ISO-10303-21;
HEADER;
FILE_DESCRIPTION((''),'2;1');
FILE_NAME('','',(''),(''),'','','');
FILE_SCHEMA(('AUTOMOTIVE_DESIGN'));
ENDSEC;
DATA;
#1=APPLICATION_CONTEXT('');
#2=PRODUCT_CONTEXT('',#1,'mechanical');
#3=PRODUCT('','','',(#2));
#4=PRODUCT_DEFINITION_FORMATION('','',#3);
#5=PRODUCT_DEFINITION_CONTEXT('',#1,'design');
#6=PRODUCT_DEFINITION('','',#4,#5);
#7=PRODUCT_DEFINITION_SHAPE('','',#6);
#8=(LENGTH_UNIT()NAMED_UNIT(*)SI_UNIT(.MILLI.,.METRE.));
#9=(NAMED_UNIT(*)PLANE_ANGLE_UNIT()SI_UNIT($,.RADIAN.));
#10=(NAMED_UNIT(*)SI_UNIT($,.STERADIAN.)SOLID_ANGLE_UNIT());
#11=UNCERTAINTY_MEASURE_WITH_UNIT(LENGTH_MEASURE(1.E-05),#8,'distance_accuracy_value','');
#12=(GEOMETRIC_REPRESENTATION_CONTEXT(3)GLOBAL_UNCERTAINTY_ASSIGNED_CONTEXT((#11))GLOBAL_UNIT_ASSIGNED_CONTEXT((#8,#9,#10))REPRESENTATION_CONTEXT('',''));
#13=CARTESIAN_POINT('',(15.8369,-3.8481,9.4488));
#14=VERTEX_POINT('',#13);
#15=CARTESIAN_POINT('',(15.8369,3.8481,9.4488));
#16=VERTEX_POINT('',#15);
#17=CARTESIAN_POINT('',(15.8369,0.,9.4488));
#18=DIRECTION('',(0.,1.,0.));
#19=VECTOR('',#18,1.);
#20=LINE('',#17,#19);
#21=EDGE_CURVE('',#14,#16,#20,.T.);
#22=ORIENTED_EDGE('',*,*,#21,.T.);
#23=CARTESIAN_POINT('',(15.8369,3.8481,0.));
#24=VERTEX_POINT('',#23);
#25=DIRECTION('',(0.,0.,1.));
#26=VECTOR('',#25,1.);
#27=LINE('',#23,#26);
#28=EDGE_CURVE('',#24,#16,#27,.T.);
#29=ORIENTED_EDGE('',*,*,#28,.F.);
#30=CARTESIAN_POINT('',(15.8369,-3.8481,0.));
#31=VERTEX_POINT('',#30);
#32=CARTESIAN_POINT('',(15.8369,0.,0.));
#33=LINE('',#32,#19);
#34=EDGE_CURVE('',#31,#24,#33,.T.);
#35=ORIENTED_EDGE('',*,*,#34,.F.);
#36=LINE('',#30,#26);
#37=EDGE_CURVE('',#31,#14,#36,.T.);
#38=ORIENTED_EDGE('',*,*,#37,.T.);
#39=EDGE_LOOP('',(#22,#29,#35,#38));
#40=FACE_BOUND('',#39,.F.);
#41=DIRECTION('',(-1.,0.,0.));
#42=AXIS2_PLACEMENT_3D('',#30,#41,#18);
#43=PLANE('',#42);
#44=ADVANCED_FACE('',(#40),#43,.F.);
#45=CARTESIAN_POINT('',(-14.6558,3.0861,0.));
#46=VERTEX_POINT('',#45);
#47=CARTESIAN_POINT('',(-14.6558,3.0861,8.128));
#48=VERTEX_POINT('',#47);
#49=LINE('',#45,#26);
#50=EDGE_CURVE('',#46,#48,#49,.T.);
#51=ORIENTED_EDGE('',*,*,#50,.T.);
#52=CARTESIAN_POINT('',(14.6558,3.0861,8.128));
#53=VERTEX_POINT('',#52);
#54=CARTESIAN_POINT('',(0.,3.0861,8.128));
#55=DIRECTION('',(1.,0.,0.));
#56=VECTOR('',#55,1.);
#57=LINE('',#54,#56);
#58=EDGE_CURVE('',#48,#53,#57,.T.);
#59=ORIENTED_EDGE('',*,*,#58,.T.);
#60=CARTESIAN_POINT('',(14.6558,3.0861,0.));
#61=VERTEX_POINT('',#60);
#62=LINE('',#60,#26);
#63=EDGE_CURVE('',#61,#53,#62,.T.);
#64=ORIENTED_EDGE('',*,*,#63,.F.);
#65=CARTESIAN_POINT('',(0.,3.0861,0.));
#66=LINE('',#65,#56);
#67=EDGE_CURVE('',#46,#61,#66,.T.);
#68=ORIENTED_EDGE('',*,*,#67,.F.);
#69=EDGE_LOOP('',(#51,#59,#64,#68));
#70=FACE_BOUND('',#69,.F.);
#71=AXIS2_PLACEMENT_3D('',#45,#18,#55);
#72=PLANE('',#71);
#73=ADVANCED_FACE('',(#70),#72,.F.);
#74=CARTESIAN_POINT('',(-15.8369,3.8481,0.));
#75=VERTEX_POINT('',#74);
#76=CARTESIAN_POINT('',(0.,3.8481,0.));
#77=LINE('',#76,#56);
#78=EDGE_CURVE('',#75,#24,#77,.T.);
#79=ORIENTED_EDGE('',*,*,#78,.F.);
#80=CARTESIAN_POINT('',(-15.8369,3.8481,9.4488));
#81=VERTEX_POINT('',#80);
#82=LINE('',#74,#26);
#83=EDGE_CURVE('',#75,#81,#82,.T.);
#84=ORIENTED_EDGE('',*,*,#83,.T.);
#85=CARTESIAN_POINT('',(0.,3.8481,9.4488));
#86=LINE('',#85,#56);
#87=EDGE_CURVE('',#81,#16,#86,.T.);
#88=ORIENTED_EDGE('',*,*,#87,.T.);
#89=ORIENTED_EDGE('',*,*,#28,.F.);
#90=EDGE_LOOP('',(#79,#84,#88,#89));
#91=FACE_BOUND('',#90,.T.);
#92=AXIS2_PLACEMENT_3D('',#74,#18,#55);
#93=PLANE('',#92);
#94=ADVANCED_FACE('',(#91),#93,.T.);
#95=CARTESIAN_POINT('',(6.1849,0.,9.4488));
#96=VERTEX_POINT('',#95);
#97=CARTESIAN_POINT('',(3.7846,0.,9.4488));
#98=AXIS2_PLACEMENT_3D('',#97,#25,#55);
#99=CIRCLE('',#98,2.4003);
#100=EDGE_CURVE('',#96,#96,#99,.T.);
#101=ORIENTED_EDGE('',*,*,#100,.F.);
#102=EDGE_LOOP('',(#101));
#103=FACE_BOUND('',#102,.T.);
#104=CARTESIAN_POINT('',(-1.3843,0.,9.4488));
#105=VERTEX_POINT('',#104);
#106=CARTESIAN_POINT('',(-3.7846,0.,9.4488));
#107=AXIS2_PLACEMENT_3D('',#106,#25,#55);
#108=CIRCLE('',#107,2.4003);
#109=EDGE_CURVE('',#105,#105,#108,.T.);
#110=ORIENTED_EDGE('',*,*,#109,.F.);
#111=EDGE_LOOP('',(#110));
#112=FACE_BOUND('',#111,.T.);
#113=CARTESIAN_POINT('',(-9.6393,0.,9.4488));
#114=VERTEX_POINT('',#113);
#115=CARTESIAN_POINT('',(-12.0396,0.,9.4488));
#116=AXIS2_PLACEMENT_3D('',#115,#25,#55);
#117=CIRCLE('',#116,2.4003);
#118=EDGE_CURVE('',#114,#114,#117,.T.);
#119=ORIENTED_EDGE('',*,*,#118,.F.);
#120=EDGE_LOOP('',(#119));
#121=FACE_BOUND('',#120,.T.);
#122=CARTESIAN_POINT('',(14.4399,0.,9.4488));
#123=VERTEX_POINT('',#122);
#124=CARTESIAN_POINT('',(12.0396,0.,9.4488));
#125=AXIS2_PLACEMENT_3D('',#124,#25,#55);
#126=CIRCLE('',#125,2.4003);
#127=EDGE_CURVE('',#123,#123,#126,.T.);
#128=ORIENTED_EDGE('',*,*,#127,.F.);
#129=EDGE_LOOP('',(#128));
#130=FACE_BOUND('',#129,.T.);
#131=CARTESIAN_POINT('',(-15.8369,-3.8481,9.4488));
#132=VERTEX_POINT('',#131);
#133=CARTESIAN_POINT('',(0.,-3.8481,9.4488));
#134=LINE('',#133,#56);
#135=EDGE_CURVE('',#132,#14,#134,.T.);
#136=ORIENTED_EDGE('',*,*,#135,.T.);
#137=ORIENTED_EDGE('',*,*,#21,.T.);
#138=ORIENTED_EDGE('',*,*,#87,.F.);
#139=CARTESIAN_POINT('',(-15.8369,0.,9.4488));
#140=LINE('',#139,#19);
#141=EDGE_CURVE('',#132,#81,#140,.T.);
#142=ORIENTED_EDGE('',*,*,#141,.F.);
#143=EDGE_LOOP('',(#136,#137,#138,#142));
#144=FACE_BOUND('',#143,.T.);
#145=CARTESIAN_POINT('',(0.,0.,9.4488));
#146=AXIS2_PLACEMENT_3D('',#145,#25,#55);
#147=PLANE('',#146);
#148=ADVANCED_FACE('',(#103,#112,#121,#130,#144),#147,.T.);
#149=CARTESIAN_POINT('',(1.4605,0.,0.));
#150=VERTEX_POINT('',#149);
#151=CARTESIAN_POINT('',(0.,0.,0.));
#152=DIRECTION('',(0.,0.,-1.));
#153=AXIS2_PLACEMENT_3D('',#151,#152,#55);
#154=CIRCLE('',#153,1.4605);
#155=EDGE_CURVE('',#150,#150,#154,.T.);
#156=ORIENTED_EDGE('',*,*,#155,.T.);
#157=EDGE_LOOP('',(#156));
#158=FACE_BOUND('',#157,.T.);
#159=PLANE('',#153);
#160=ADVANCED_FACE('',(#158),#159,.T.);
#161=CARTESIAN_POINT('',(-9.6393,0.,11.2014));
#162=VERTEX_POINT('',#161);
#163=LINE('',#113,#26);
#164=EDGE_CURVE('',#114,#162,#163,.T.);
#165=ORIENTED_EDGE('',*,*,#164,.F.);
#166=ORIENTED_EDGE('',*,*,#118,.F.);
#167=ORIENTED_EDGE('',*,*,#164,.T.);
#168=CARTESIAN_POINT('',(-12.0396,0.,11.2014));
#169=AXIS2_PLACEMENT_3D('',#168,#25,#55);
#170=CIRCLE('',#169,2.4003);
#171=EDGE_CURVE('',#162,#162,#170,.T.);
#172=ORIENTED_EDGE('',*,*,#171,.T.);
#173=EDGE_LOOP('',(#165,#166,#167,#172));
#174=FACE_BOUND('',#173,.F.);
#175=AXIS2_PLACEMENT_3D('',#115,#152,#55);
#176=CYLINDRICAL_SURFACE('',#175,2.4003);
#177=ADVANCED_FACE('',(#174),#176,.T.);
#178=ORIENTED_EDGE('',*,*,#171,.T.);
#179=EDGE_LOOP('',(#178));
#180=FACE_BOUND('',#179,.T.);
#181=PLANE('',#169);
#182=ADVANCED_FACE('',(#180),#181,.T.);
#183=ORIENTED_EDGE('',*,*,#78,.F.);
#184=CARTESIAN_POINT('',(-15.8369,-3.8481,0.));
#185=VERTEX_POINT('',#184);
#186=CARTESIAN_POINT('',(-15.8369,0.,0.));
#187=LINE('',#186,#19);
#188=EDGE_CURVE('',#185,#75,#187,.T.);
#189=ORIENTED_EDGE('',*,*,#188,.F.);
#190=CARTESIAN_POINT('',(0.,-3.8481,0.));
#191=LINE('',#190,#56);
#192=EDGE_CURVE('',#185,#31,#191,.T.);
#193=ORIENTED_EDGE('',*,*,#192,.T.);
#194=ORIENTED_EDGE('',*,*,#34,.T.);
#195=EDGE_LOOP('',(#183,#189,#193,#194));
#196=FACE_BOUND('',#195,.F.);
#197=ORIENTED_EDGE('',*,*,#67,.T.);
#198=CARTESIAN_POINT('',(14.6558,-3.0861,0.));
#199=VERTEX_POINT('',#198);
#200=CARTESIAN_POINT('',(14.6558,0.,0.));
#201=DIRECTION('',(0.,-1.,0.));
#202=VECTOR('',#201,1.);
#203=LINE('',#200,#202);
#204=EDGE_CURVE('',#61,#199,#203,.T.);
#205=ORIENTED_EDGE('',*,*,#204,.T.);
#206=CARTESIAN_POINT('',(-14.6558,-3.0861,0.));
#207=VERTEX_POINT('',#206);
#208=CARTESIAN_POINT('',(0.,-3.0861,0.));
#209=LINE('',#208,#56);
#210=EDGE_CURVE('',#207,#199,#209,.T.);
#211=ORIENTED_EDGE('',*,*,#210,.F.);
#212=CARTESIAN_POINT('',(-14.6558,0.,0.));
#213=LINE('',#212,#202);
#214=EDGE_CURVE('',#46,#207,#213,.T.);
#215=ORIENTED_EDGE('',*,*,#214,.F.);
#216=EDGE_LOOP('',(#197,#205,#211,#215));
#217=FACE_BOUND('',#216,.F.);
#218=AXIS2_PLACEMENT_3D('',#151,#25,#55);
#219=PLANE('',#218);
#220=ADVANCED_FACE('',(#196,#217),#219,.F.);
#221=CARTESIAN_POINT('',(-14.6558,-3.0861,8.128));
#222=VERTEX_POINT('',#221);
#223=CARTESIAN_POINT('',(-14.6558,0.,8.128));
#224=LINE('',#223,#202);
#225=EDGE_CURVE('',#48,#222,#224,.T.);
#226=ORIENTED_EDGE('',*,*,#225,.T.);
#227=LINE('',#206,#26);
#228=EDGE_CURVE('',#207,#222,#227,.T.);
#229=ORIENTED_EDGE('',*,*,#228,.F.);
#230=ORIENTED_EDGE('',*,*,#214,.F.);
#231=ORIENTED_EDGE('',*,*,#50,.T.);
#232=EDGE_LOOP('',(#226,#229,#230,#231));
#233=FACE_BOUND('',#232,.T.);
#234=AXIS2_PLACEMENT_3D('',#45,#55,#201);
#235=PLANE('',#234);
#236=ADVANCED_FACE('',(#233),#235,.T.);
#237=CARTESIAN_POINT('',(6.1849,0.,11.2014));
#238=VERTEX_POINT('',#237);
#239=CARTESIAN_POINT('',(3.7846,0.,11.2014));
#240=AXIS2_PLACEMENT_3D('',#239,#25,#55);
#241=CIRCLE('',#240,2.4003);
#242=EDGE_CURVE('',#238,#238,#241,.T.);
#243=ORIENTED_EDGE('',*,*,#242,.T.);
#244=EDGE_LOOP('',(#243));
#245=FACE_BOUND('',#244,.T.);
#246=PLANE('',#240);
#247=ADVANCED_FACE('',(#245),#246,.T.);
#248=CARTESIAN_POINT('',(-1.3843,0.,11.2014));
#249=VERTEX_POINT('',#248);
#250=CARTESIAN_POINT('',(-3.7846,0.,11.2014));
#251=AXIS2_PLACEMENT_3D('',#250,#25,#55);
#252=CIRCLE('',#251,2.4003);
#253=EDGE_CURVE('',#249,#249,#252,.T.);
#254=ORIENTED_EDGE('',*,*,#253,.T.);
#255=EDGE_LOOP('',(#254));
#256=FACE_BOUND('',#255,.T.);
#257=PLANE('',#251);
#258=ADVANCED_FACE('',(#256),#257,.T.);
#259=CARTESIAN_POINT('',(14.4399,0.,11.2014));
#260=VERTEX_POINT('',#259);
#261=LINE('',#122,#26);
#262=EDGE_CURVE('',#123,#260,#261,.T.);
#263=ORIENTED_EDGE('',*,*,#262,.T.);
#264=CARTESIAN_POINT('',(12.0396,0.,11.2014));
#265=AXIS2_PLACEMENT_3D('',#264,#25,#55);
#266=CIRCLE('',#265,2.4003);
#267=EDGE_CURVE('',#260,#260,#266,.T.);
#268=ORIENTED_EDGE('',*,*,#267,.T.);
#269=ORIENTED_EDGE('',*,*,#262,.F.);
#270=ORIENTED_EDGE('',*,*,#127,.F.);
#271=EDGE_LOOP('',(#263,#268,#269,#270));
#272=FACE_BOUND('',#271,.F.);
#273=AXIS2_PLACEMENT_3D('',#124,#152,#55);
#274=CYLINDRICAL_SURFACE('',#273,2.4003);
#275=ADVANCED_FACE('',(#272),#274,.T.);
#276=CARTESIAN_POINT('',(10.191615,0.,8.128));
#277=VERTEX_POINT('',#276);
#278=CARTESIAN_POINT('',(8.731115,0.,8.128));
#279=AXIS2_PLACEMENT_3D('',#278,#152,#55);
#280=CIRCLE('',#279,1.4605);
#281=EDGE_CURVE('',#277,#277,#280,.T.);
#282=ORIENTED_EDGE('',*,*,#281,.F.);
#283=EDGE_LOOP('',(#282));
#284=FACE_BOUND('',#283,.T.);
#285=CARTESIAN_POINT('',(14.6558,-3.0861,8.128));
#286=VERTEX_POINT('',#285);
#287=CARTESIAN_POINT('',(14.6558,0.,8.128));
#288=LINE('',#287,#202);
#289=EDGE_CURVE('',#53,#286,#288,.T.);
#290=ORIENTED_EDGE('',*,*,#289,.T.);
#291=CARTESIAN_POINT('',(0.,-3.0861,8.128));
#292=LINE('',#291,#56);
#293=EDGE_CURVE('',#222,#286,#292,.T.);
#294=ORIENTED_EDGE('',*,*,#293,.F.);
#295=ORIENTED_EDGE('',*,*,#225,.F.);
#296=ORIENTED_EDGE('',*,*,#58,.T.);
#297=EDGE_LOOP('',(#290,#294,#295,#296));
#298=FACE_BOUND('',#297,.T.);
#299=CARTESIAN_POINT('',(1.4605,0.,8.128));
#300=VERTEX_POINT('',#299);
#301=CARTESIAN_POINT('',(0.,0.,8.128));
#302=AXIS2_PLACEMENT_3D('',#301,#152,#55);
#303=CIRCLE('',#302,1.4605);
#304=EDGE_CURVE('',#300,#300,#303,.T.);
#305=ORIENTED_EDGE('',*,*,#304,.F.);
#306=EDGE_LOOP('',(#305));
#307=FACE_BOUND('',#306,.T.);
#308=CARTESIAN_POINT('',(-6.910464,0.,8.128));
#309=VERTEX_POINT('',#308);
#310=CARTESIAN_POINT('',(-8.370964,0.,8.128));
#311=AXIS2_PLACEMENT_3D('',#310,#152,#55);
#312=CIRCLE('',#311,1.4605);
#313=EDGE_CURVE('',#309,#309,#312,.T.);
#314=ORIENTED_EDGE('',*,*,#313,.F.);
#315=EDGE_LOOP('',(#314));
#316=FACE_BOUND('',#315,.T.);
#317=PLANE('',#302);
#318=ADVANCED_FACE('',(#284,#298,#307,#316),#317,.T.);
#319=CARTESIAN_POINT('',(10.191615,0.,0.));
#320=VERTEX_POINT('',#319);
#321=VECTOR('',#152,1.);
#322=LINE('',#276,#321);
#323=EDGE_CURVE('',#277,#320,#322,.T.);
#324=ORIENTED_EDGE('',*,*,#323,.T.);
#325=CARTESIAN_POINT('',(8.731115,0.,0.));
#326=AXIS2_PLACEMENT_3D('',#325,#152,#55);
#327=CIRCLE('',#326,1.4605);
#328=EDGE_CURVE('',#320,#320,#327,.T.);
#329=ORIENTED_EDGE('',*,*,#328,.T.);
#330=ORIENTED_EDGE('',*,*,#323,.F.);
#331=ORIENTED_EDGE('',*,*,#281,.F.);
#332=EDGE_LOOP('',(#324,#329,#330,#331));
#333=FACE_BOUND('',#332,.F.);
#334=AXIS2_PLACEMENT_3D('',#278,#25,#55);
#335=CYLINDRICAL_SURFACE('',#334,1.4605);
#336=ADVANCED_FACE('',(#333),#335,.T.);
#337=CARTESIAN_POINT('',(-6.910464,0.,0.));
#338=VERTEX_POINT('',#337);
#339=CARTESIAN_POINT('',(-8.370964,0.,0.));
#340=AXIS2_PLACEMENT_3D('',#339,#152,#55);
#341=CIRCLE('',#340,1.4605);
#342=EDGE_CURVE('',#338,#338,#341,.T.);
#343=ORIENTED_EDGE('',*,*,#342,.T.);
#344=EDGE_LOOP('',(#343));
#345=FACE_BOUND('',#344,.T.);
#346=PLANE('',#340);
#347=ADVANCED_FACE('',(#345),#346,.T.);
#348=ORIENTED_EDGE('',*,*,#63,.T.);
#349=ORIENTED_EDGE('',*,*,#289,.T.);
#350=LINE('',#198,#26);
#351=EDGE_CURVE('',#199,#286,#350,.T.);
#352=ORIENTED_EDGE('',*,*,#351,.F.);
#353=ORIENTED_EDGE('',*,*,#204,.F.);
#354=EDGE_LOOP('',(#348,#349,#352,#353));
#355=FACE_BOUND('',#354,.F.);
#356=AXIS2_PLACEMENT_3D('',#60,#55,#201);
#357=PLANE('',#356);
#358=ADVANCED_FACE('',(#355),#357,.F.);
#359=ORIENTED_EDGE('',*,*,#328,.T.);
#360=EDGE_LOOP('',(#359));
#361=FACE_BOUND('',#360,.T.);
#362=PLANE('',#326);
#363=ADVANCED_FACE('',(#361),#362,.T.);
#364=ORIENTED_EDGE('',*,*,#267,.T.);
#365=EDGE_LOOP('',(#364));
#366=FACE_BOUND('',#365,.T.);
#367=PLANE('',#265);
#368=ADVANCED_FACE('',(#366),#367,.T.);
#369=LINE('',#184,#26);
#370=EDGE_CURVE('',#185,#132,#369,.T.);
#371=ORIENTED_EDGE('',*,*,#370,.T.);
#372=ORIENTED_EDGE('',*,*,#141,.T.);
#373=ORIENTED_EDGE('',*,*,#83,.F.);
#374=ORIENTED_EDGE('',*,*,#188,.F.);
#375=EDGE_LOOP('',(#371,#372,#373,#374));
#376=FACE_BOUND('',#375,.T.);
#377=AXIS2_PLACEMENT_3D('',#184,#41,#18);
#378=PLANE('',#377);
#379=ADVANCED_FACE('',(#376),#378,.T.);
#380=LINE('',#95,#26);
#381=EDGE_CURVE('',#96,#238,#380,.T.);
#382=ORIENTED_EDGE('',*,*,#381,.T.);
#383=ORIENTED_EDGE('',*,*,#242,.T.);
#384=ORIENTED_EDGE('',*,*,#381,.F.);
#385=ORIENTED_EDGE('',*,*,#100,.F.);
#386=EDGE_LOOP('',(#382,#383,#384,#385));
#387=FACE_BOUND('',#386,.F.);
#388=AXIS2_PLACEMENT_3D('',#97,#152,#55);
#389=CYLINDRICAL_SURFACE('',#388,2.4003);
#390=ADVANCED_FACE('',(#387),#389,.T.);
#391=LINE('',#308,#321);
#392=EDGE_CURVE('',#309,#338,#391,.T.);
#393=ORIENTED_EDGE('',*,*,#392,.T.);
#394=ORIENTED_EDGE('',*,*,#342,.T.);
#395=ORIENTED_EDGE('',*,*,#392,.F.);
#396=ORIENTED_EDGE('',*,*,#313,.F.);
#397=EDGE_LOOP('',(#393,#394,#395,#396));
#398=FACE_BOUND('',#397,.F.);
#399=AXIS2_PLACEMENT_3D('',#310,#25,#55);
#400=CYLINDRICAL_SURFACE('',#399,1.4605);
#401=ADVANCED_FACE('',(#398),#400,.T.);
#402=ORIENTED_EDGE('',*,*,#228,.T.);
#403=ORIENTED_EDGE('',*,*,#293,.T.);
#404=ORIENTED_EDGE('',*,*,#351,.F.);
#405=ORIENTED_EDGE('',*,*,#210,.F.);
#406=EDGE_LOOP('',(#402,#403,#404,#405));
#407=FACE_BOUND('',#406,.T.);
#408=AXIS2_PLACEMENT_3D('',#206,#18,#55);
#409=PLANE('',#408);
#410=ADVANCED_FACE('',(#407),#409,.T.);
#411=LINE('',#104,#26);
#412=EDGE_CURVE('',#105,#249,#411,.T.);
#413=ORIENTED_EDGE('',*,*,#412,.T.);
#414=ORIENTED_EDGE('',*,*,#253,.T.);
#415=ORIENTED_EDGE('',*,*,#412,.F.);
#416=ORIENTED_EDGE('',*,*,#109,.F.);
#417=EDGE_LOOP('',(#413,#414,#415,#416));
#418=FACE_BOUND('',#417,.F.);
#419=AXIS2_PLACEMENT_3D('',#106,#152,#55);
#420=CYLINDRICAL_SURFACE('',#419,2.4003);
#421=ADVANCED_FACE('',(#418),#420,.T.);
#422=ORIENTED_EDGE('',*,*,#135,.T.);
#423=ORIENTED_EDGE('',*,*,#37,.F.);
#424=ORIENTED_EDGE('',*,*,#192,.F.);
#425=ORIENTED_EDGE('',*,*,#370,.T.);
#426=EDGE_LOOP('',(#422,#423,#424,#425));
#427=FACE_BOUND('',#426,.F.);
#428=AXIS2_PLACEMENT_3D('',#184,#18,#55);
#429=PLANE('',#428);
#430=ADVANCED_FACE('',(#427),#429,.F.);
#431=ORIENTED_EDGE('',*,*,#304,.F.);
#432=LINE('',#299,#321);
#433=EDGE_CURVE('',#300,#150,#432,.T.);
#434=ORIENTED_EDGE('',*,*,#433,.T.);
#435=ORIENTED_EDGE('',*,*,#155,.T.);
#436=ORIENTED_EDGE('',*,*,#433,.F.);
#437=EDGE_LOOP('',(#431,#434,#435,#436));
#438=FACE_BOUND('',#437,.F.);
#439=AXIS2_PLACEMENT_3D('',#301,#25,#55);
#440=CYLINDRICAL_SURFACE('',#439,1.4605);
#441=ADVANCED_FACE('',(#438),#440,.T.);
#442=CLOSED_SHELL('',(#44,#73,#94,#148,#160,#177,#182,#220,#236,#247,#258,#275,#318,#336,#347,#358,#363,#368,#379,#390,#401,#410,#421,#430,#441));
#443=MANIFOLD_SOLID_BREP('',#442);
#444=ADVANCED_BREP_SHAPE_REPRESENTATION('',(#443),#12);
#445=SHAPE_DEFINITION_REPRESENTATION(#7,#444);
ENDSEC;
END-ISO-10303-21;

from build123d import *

# Parameters (mm, degrees)
F0_W     = 31.6738
F0_H     = 7.6962
F1_DEPTH = 9.4488
F2_R     = 2.4003
F3_DEPTH = 1.7526
F4_W     = 29.3116
F4_H     = 6.1722
F5_DEPTH = 8.128
F6_R     = 1.4605
F7_DEPTH = 8.128


with BuildPart() as f1:
    # F0 (on Top) → F1 (new body)
    with BuildSketch(Plane.XY):
        Rectangle(F0_W, F0_H)
    extrude(amount=F1_DEPTH)

    # F2 (on face) → F3 (join)
    with BuildSketch(Plane.XY.offset(9.4488)):
        with Locations((-12.0396, 0)):
            Circle(F2_R)
        with Locations((-3.7846, 0)):
            Circle(F2_R)
        with Locations((3.7846, 0)):
            Circle(F2_R)
        with Locations((12.0396, 0)):
            Circle(F2_R)
    extrude(amount=F3_DEPTH)

    # F4 (on face) → F5 (cut)
    with BuildSketch(Plane(origin=(0, 0, 0), x_dir=(1, 0, 0), z_dir=(0, 0, -1))):
        Rectangle(F4_W, F4_H)
    extrude(amount=-F5_DEPTH, mode=Mode.SUBTRACT)

    # F6 (on face) → F7 (join)
    with BuildSketch(Plane(origin=(0, 0, 8.128), x_dir=(1, 0, 0), z_dir=(0, 0, -1))):
        Circle(F6_R)
        with Locations((8.731115, 0)):
            Circle(F6_R)
        with Locations((-8.370964, 0)):
            Circle(F6_R)
    extrude(amount=F7_DEPTH)


solid = f1.part
